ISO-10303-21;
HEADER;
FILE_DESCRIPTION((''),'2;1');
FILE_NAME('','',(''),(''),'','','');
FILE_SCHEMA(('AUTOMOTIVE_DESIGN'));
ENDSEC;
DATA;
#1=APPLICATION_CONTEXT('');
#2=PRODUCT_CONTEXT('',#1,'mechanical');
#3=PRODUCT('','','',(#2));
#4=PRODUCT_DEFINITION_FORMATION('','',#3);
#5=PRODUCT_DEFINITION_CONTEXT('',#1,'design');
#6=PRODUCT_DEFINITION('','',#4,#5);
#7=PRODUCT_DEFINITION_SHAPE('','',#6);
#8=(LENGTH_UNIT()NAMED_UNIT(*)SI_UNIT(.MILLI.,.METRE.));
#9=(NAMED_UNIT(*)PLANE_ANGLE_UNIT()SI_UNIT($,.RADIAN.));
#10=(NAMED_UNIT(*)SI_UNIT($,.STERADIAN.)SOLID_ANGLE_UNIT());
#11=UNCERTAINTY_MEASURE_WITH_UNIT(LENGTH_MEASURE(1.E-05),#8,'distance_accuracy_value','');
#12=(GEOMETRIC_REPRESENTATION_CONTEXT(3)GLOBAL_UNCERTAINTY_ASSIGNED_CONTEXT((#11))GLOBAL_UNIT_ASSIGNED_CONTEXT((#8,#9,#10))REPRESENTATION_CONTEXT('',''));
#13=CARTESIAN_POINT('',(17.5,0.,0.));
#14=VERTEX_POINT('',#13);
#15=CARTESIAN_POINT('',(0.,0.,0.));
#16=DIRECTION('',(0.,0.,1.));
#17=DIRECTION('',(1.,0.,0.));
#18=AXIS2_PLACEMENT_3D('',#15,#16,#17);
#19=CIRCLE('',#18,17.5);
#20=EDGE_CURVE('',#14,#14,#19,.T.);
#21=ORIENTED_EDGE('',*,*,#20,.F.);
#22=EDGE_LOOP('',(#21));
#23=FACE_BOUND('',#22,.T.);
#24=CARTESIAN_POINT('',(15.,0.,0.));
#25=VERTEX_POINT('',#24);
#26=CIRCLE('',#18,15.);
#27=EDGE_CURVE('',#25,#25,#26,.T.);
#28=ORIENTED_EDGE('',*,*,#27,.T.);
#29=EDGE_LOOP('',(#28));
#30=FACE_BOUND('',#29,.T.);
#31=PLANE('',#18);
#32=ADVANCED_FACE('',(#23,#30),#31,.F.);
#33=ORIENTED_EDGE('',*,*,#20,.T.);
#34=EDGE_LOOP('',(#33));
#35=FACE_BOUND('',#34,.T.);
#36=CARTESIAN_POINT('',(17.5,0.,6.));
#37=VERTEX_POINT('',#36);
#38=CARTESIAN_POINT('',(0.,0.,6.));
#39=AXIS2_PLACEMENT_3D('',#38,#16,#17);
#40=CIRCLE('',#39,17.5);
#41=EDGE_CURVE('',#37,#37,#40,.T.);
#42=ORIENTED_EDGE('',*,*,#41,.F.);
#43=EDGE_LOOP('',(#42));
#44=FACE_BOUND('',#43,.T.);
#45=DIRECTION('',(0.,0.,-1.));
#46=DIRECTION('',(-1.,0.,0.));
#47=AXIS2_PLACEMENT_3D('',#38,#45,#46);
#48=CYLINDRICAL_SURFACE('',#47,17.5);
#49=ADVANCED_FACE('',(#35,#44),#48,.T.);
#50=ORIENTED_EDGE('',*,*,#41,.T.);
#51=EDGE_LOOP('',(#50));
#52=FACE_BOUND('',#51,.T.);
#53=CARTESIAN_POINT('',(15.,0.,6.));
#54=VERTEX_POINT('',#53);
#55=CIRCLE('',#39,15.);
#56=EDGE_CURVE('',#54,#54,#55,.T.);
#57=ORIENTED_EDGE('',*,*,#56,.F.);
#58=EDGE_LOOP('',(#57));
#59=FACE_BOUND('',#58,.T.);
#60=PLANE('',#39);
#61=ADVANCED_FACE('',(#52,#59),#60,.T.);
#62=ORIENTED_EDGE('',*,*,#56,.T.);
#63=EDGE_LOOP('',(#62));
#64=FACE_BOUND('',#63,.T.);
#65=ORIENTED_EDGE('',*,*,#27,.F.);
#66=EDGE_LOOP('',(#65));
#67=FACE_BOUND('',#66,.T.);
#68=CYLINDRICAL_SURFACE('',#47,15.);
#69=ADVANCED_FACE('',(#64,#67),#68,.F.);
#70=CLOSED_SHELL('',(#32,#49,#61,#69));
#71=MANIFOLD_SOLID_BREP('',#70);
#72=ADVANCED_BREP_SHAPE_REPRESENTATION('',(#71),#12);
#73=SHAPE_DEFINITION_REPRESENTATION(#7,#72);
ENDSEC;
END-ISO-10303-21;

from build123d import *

# Parameters (mm, degrees)
CROQUIS1_R              = 17.5
CROQUIS1_R_2            = 15
SALIENTE_EXTRUIR1_DEPTH = 6


with BuildPart() as part:
    # Croquis1 → Saliente-Extruir1 (new body)
    with BuildSketch(Plane.XY):
        Circle(CROQUIS1_R)
        Circle(CROQUIS1_R_2, mode=Mode.SUBTRACT)
    extrude(amount=SALIENTE_EXTRUIR1_DEPTH)


solid = part.part
